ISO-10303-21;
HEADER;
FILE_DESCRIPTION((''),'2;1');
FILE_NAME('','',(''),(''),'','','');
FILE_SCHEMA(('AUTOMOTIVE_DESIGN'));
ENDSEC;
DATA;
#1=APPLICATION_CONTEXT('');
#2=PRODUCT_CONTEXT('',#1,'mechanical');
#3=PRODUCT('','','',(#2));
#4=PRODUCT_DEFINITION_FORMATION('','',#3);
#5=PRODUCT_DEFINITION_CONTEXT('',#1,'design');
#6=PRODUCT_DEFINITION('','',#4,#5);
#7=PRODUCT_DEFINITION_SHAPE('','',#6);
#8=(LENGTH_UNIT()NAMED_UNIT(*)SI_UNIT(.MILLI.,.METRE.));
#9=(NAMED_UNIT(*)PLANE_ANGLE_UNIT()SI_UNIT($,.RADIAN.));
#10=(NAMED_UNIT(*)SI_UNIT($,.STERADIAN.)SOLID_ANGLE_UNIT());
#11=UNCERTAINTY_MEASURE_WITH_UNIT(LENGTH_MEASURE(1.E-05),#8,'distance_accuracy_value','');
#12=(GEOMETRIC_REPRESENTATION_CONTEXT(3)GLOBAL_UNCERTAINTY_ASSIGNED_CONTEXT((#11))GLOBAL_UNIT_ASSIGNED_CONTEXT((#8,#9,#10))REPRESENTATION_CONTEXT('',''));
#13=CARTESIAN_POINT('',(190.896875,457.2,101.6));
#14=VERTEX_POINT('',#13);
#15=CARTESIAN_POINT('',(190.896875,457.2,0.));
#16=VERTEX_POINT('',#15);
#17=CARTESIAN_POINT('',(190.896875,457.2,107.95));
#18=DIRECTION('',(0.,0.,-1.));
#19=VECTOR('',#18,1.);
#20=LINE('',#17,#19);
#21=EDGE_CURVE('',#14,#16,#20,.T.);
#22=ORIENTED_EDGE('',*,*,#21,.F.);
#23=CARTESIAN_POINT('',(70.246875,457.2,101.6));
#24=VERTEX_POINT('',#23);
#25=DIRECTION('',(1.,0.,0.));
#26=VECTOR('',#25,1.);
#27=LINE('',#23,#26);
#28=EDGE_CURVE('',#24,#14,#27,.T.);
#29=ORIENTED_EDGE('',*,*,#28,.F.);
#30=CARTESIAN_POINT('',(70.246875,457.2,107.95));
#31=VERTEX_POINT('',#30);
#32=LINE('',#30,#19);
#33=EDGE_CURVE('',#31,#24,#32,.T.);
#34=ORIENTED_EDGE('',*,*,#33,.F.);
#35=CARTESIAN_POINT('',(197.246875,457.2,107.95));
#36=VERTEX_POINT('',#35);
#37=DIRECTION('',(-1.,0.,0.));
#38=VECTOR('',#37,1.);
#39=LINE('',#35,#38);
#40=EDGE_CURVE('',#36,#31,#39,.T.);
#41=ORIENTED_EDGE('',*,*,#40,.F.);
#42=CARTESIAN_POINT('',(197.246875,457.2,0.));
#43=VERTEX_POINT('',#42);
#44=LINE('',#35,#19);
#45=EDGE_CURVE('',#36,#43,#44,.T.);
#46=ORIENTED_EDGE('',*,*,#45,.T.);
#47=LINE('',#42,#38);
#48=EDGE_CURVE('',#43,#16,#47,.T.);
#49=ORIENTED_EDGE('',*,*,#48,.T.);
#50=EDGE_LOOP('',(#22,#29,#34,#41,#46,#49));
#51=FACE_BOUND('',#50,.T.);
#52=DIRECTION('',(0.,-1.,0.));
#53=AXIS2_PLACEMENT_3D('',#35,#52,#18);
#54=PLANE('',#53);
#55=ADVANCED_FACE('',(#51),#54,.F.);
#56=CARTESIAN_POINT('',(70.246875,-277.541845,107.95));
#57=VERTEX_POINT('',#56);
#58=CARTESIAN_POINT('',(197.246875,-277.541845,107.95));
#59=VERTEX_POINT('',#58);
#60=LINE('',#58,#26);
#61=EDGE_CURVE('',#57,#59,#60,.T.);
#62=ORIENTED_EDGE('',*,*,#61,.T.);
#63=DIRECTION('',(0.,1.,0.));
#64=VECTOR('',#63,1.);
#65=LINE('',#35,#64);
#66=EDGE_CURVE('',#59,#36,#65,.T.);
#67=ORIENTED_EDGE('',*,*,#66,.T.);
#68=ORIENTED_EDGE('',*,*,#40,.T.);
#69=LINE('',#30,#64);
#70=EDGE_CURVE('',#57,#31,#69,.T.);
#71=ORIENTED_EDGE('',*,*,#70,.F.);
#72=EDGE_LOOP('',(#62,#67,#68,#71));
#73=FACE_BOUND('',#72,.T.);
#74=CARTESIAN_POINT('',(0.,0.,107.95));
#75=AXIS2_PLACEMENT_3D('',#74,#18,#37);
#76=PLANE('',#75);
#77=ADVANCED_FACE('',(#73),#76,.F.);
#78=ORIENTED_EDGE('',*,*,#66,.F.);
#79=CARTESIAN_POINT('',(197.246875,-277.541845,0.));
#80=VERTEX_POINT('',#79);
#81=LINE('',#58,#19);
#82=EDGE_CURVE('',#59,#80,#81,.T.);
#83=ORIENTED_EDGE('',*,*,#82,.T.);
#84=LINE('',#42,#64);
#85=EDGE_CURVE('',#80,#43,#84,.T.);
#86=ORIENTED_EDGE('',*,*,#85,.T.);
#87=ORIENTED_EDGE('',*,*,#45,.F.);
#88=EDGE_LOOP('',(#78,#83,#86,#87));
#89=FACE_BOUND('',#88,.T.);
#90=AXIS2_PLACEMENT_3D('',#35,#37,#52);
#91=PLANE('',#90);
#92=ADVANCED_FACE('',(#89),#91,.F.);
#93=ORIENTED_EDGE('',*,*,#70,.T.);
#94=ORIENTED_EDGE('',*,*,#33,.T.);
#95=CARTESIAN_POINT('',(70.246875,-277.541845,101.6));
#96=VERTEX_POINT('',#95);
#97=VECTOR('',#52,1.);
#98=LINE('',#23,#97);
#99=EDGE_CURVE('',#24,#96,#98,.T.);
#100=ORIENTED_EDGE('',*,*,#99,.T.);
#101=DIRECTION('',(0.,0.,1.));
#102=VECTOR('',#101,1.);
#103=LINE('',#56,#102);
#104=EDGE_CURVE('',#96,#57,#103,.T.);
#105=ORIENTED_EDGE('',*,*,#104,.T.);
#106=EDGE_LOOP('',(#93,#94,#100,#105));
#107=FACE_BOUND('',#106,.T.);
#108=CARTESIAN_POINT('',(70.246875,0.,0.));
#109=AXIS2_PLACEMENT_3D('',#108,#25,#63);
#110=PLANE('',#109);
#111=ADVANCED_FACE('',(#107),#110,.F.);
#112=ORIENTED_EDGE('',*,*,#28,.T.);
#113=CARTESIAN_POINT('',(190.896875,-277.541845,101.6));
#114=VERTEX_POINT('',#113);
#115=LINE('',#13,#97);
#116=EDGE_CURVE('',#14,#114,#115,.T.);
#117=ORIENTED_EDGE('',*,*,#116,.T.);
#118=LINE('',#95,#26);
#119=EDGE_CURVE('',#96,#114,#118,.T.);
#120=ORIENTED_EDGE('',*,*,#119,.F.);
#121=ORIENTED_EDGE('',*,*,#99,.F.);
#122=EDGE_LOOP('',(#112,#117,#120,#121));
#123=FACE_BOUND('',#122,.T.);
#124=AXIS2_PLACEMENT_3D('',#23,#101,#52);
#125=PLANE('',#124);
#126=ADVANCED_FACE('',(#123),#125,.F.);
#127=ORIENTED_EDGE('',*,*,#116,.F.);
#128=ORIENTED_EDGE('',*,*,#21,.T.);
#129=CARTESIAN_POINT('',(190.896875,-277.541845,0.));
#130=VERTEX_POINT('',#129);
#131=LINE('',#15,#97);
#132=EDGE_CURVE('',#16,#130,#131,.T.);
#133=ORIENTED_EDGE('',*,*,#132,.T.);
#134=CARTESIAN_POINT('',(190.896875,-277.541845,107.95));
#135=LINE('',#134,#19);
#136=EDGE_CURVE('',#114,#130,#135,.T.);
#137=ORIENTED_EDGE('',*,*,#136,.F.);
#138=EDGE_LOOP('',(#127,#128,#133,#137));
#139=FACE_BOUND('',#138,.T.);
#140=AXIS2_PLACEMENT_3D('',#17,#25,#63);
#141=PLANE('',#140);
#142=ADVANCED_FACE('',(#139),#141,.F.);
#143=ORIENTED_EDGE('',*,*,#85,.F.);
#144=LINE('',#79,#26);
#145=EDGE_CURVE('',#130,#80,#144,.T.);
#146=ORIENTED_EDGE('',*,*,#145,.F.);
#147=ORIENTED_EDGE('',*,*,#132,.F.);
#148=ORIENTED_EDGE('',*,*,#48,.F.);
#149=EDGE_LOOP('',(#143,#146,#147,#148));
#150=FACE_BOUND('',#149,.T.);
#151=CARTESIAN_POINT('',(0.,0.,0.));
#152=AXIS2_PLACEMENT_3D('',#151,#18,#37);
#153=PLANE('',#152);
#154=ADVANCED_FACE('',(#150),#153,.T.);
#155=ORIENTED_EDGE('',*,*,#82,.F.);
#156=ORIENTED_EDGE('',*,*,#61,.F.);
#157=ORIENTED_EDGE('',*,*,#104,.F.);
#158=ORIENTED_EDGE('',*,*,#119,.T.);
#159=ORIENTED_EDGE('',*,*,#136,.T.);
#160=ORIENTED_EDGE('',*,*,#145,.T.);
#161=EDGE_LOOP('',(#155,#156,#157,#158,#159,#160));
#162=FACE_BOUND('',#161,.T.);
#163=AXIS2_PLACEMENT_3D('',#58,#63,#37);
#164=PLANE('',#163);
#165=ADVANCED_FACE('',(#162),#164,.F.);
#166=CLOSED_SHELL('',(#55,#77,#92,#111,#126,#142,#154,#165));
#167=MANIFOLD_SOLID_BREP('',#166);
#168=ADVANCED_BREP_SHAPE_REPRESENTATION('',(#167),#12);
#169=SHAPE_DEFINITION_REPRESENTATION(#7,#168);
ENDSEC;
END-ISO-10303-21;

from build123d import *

# Parameters (mm, degrees)
SKETCH1_W           = 6.35
SKETCH1_H           = 734.741844671
BOSS_EXTRUDE1_DEPTH = 107.95
SKETCH2_W           = 6.35
SKETCH2_H           = 734.741844671
BOSS_EXTRUDE2_DEPTH = 120.65


with BuildPart() as part:
    # Sketch1 → Boss-Extrude1 (new body)
    with BuildSketch(Plane.XY):
        with Locations((194.071875, 89.829077665)):
            Rectangle(SKETCH1_W, SKETCH1_H)
    extrude(amount=BOSS_EXTRUDE1_DEPTH)

    # Sketch2 → Boss-Extrude2 (add)
    with BuildSketch(Plane.ZY.offset(-190.896875)):
        with Locations((104.775, 89.829077665)):
            Rectangle(SKETCH2_W, SKETCH2_H)
    extrude(amount=BOSS_EXTRUDE2_DEPTH)


solid = part.part
